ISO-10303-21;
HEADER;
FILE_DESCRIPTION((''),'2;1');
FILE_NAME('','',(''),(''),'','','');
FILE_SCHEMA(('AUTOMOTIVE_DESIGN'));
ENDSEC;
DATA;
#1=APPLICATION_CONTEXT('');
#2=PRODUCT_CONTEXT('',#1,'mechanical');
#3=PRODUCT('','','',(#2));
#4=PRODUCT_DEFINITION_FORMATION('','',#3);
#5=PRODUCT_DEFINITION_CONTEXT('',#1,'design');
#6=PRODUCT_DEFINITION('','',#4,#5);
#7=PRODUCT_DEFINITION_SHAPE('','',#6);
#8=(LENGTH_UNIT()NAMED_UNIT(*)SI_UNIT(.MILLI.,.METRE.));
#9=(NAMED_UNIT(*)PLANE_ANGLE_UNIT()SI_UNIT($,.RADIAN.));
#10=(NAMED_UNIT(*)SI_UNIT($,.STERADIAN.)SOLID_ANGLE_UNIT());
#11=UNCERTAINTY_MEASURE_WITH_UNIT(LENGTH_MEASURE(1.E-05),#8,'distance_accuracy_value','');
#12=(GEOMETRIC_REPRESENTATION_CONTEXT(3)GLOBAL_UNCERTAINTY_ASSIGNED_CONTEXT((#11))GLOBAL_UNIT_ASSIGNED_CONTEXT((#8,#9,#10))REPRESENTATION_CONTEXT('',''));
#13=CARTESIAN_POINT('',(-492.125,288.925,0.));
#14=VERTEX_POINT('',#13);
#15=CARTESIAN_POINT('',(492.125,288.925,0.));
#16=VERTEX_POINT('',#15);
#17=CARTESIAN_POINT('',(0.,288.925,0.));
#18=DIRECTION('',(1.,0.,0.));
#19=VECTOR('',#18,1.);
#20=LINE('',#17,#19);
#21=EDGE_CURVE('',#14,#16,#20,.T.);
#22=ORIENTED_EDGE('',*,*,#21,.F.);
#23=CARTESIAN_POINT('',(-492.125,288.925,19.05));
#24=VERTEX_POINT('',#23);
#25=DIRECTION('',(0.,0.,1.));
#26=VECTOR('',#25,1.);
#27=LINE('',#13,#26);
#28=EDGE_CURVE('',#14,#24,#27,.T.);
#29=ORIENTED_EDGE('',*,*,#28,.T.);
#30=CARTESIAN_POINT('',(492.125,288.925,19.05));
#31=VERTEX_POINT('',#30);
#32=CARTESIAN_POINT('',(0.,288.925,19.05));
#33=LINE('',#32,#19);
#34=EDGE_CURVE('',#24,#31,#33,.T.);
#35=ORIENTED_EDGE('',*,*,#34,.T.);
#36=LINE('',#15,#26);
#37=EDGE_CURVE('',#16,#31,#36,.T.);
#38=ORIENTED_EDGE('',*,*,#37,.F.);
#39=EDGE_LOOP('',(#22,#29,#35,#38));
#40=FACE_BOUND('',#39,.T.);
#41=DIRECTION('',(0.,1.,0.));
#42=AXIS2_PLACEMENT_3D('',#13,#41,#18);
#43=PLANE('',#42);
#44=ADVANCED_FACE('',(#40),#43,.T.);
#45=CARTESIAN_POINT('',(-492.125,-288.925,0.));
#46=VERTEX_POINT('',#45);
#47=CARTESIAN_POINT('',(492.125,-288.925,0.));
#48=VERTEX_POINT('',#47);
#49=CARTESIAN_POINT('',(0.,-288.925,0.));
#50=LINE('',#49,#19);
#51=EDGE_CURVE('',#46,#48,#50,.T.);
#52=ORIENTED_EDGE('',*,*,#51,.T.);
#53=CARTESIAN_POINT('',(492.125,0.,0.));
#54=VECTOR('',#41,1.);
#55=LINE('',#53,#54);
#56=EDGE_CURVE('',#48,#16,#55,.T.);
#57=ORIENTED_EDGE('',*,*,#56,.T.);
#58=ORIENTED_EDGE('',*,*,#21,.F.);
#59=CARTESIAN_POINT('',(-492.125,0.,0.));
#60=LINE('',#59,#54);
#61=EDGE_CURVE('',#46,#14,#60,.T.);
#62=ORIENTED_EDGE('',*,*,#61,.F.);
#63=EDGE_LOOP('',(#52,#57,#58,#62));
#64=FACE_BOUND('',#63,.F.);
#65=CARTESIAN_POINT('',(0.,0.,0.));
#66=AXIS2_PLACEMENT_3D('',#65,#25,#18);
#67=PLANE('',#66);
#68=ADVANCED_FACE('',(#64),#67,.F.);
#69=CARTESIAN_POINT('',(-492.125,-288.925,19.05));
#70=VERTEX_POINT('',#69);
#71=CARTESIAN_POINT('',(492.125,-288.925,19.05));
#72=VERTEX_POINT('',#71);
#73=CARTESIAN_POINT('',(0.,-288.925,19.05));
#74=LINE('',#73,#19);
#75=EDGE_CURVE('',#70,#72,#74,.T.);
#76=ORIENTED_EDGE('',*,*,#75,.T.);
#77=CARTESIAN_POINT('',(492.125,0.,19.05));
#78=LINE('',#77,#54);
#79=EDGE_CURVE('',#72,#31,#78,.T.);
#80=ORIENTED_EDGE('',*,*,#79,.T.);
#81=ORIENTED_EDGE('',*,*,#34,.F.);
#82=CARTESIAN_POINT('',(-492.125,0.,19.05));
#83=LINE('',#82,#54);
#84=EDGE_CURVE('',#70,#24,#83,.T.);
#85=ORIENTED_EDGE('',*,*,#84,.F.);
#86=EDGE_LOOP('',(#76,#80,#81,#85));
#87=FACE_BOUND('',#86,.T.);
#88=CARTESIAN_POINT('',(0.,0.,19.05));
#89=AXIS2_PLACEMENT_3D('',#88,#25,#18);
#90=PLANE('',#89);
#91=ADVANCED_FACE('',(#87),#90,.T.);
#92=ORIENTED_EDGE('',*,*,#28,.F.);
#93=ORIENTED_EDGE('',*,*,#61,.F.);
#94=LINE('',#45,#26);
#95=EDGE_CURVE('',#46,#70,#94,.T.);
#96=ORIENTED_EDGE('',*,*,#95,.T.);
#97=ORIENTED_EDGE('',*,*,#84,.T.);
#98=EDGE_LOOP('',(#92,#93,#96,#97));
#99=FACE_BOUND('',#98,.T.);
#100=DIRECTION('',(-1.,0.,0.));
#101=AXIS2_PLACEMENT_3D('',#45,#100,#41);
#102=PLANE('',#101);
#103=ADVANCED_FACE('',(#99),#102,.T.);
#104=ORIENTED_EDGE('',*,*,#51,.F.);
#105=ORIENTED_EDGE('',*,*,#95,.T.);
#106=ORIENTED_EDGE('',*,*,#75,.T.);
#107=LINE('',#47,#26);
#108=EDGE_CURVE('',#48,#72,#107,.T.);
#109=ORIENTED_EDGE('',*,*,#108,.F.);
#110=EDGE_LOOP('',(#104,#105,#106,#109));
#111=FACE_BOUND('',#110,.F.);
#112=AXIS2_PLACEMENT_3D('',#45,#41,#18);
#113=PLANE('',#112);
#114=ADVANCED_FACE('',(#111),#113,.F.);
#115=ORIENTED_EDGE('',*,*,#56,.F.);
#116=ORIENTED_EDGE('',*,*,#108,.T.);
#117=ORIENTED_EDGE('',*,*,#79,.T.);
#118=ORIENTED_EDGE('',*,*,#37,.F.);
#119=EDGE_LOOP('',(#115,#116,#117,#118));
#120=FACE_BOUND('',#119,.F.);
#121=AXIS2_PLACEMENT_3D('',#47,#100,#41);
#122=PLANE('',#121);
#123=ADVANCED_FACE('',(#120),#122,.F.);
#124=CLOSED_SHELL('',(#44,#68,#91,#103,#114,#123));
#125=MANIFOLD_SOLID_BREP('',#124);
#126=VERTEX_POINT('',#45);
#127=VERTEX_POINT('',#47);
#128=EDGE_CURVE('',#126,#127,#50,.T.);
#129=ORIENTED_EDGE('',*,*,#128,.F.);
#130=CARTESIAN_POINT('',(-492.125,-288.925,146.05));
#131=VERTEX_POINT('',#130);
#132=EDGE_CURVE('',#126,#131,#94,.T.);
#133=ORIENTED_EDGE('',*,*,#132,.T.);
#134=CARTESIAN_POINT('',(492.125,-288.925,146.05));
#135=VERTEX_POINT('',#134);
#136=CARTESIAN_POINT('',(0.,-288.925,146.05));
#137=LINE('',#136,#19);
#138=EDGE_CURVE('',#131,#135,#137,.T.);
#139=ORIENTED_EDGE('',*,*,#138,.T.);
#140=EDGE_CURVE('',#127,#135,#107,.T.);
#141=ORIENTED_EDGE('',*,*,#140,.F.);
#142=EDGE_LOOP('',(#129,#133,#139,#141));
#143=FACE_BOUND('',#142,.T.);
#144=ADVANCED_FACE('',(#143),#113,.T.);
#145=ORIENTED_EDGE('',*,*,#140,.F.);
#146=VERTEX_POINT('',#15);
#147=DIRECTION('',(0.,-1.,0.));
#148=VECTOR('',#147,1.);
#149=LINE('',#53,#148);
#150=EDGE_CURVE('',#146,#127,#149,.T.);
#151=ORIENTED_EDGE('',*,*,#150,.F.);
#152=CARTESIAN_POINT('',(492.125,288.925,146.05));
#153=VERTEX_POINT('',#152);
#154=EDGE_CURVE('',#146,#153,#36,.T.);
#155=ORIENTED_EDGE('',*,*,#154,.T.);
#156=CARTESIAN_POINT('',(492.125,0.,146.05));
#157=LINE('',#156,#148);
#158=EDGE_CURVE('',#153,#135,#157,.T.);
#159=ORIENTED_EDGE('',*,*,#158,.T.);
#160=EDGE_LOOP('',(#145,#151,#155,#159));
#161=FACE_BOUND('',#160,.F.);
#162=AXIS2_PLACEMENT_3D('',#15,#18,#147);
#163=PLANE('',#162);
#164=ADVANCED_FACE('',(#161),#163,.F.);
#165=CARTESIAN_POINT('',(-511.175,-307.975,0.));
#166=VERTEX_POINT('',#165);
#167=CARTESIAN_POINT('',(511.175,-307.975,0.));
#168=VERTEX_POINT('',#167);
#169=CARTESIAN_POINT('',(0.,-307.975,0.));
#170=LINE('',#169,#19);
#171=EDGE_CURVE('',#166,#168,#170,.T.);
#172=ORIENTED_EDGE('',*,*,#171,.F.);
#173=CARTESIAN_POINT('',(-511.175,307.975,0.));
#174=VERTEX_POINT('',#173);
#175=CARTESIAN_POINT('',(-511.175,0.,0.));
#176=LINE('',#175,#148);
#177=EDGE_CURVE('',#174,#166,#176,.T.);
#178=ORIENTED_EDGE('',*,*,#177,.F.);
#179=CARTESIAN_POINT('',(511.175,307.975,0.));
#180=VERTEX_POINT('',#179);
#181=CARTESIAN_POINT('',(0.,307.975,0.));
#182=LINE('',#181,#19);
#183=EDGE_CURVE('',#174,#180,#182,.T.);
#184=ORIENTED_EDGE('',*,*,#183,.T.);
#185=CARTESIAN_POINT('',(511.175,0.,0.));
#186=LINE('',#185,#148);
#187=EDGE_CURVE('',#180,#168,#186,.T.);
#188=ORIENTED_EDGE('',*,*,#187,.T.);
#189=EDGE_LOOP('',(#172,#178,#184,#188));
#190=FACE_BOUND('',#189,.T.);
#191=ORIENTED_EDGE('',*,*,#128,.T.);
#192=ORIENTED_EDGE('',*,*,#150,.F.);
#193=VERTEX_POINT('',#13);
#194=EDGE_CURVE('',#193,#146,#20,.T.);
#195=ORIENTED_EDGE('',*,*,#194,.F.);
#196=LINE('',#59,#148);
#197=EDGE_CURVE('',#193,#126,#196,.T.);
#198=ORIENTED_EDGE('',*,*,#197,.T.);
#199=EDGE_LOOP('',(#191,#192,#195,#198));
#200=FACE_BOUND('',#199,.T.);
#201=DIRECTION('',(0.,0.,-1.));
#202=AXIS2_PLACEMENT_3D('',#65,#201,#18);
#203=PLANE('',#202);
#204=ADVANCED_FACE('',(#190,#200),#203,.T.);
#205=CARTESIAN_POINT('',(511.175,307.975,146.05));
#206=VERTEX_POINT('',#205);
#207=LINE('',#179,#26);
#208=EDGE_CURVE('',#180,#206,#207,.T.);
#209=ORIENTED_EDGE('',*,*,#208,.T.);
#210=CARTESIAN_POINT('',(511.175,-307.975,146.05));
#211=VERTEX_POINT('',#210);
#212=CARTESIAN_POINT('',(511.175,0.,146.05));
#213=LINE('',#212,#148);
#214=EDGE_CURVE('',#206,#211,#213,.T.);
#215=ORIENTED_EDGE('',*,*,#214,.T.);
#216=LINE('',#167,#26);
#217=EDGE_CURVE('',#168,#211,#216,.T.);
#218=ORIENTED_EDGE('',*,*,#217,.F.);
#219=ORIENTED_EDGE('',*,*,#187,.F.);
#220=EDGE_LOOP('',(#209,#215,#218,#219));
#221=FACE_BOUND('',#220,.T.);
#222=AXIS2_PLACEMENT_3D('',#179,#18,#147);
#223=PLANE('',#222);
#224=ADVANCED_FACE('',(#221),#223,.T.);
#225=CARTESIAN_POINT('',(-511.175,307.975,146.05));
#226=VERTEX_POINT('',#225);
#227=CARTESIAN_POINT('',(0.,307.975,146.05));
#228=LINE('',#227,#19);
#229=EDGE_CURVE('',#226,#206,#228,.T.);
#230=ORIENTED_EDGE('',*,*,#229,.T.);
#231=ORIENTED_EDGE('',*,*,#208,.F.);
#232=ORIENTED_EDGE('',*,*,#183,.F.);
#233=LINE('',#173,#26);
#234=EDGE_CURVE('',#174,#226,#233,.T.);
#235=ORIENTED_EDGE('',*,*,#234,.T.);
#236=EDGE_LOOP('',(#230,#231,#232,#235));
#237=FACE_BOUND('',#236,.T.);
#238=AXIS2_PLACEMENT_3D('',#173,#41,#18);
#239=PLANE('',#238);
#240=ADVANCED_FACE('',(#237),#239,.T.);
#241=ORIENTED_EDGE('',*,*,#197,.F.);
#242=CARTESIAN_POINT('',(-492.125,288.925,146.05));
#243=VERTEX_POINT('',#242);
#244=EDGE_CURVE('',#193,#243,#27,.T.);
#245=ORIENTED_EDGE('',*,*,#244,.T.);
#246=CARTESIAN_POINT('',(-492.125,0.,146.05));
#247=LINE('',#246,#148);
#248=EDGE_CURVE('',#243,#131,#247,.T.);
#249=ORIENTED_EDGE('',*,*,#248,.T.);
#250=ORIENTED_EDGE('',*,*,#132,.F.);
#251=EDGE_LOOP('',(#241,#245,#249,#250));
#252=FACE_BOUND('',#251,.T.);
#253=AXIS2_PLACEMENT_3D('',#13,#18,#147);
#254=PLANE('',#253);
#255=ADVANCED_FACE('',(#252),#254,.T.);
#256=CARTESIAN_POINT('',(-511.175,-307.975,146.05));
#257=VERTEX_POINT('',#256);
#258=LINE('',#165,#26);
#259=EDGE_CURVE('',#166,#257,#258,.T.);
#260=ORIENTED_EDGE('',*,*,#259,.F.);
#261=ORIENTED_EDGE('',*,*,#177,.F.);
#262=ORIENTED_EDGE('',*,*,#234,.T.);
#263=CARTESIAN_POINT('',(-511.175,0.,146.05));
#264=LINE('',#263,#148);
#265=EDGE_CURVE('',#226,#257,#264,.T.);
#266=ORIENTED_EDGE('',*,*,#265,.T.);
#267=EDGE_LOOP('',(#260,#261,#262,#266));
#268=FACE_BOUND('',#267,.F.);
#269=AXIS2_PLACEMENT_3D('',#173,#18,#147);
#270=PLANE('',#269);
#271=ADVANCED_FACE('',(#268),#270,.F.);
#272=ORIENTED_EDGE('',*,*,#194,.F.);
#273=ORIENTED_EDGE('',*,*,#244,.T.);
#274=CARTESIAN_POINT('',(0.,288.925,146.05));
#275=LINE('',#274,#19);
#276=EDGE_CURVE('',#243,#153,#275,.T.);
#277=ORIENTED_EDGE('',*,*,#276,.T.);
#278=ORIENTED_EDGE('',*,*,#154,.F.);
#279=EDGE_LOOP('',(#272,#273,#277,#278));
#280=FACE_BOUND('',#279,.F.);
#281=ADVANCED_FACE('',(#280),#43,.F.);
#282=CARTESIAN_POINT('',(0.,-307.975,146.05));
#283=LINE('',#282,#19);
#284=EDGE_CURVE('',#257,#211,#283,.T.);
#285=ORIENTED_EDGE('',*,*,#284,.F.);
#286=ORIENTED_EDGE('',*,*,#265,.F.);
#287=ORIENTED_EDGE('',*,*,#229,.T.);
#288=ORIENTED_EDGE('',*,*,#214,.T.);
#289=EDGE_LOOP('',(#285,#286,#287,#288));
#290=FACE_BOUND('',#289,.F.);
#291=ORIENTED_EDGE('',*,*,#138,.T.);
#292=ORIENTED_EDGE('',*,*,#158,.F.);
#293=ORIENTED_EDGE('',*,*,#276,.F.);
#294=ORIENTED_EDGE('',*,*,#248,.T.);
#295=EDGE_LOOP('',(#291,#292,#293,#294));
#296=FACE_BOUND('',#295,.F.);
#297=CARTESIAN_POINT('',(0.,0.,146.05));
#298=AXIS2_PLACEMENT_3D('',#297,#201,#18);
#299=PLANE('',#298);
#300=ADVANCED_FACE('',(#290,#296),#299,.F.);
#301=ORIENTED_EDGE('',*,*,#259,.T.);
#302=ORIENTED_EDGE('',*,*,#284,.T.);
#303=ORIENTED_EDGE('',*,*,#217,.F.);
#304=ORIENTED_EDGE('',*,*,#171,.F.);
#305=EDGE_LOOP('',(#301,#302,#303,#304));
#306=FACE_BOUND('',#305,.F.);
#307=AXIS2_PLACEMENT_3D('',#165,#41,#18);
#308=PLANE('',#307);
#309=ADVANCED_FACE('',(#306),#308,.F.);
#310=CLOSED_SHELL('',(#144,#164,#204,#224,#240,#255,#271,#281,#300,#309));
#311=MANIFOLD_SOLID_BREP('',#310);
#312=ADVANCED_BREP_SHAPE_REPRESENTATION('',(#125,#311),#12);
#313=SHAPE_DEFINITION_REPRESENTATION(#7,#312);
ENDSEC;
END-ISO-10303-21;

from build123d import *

# Parameters (mm, degrees)
F0_W     = 984.25
F0_H     = 577.85
F1_DEPTH = 19.05
F2_W     = 1022.35
F2_H     = 615.95
F2_W_2   = 984.25
F2_H_2   = 577.85
F3_DEPTH = 146.05


with BuildPart() as f1:
    # F0 (on Top) → F1 (new body)
    with BuildSketch(Plane.XY):
        Rectangle(F0_W, F0_H)
    extrude(amount=F1_DEPTH)


with BuildPart() as f3:
    # F2 (on face) → F3 (new body)
    with BuildSketch(Plane(origin=(0, 0, 0), x_dir=(1, 0, 0), z_dir=(0, 0, -1))):
        Rectangle(F2_W, F2_H)
        Rectangle(F2_W_2, F2_H_2, mode=Mode.SUBTRACT)
    extrude(amount=-F3_DEPTH)


solid = Compound([f1.part, f3.part])
